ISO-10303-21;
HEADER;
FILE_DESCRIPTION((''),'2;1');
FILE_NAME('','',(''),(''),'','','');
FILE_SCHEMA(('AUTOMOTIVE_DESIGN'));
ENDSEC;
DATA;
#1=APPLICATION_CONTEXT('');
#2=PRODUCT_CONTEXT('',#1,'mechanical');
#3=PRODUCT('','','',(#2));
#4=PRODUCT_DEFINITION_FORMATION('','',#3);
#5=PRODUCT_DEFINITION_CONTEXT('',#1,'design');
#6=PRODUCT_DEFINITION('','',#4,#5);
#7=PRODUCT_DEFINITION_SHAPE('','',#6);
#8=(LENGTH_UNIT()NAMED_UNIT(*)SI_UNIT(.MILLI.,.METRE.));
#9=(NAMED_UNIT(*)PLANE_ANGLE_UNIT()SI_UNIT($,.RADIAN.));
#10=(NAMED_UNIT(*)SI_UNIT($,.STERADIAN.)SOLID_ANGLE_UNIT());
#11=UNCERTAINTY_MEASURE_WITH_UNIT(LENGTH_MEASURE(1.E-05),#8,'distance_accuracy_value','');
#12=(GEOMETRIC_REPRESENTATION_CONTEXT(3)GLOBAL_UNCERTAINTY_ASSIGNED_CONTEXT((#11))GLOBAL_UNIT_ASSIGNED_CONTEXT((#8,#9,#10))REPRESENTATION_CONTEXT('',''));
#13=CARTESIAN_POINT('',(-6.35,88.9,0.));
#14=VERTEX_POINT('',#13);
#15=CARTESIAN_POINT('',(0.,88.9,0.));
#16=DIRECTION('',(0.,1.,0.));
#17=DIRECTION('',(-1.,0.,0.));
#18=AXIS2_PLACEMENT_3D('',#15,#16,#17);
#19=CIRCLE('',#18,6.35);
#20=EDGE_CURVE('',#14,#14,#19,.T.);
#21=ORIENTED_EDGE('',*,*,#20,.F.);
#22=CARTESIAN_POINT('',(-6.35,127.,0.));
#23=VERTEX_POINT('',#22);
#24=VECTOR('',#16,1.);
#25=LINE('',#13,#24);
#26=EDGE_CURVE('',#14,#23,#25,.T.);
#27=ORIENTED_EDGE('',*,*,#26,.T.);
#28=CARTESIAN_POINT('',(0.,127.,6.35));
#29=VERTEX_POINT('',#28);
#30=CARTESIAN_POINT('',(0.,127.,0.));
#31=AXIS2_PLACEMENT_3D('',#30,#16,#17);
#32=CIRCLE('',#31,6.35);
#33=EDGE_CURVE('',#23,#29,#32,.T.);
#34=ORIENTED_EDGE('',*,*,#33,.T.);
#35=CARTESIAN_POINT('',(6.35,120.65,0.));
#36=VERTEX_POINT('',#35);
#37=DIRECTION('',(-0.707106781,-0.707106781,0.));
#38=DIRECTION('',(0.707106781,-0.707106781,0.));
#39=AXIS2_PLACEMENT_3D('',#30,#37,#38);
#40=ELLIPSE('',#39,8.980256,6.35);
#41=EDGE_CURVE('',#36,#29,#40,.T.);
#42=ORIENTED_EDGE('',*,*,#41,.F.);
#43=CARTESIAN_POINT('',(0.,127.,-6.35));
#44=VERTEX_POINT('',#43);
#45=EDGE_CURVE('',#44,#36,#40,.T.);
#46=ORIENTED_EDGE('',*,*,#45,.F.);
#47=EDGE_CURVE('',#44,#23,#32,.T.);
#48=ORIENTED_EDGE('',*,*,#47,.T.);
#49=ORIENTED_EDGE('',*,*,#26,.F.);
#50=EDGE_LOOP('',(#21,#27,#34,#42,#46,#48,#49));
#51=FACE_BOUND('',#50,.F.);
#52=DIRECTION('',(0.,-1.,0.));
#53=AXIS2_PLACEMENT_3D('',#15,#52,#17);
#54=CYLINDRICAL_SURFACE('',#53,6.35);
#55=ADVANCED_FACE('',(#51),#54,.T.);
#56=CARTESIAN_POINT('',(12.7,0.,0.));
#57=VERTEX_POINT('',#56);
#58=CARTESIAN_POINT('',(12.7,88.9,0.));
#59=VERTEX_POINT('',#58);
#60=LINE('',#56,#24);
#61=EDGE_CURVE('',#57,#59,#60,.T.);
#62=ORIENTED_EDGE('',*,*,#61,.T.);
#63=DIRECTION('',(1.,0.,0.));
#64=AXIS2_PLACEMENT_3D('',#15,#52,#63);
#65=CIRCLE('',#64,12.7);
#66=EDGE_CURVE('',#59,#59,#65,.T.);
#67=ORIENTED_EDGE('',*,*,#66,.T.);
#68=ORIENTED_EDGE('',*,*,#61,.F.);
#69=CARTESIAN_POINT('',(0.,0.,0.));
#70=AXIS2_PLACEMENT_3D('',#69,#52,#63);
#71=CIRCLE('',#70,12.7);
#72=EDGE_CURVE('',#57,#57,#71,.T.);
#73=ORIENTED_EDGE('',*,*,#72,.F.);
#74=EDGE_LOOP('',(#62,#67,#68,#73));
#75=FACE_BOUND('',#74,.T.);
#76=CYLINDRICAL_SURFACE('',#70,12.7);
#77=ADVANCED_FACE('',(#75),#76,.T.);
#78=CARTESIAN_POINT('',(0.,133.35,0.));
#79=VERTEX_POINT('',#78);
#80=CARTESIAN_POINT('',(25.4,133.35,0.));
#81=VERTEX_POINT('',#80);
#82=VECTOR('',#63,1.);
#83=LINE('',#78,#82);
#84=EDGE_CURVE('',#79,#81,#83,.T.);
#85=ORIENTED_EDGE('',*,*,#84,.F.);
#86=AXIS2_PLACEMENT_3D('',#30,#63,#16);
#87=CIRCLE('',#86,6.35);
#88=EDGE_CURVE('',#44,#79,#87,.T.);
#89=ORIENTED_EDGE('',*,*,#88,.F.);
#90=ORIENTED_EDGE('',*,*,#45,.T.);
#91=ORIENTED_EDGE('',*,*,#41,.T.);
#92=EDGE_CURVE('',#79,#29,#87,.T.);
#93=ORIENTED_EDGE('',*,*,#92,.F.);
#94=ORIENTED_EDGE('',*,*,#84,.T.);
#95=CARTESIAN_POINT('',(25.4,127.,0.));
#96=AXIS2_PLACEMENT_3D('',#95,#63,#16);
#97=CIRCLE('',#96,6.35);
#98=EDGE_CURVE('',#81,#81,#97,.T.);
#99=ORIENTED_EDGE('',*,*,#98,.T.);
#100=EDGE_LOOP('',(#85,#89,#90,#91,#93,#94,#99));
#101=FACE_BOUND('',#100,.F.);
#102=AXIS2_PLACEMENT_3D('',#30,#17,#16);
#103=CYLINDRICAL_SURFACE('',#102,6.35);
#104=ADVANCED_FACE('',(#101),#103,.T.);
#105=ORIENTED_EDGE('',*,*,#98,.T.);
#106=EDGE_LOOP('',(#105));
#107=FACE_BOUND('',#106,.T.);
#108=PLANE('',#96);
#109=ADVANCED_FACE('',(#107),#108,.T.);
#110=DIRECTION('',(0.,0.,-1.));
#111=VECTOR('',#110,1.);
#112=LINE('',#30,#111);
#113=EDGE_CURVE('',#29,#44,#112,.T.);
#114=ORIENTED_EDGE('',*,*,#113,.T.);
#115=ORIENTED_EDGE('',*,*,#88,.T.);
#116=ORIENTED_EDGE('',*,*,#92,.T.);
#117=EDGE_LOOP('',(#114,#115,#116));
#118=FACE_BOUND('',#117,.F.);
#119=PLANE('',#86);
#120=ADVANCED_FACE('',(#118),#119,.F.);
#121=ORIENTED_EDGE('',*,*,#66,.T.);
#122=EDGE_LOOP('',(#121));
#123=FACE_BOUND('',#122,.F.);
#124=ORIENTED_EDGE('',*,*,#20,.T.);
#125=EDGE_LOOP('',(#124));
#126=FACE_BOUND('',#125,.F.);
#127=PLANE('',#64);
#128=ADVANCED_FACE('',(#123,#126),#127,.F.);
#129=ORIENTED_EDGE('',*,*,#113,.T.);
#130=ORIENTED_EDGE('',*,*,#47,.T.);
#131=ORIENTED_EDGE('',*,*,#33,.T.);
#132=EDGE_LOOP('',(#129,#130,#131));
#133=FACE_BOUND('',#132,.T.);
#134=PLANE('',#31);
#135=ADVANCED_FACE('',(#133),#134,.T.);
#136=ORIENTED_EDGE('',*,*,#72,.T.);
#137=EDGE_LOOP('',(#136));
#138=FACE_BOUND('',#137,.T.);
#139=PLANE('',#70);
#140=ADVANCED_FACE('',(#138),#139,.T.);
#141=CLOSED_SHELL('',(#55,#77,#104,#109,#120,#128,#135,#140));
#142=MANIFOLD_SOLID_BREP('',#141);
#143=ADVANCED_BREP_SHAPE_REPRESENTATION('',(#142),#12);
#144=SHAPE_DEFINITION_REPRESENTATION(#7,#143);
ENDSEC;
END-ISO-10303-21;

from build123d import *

# Parameters (mm, degrees)
F0_R     = 12.7
F1_DEPTH = 88.9
F2_R     = 6.35
F3_DEPTH = 38.1
F4_R     = 6.35
F5_DEPTH = 25.4


with BuildPart() as f1:
    # F0 (on Front) → F1 (new body)
    with BuildSketch(Plane.XZ):
        Circle(F0_R)
    extrude(amount=-F1_DEPTH)

    # F2 (on face) → F3 (join)
    with BuildSketch(Plane(origin=(0, 88.9, 0), x_dir=(-1, 0, 0), z_dir=(0, 1, 0))):
        Circle(F2_R)
    extrude(amount=F3_DEPTH)

    # F4 (on Right) → F5 (join)
    with BuildSketch(Plane.YZ):
        with Locations((127, 0)):
            Circle(F4_R)
    extrude(amount=F5_DEPTH)


solid = f1.part
